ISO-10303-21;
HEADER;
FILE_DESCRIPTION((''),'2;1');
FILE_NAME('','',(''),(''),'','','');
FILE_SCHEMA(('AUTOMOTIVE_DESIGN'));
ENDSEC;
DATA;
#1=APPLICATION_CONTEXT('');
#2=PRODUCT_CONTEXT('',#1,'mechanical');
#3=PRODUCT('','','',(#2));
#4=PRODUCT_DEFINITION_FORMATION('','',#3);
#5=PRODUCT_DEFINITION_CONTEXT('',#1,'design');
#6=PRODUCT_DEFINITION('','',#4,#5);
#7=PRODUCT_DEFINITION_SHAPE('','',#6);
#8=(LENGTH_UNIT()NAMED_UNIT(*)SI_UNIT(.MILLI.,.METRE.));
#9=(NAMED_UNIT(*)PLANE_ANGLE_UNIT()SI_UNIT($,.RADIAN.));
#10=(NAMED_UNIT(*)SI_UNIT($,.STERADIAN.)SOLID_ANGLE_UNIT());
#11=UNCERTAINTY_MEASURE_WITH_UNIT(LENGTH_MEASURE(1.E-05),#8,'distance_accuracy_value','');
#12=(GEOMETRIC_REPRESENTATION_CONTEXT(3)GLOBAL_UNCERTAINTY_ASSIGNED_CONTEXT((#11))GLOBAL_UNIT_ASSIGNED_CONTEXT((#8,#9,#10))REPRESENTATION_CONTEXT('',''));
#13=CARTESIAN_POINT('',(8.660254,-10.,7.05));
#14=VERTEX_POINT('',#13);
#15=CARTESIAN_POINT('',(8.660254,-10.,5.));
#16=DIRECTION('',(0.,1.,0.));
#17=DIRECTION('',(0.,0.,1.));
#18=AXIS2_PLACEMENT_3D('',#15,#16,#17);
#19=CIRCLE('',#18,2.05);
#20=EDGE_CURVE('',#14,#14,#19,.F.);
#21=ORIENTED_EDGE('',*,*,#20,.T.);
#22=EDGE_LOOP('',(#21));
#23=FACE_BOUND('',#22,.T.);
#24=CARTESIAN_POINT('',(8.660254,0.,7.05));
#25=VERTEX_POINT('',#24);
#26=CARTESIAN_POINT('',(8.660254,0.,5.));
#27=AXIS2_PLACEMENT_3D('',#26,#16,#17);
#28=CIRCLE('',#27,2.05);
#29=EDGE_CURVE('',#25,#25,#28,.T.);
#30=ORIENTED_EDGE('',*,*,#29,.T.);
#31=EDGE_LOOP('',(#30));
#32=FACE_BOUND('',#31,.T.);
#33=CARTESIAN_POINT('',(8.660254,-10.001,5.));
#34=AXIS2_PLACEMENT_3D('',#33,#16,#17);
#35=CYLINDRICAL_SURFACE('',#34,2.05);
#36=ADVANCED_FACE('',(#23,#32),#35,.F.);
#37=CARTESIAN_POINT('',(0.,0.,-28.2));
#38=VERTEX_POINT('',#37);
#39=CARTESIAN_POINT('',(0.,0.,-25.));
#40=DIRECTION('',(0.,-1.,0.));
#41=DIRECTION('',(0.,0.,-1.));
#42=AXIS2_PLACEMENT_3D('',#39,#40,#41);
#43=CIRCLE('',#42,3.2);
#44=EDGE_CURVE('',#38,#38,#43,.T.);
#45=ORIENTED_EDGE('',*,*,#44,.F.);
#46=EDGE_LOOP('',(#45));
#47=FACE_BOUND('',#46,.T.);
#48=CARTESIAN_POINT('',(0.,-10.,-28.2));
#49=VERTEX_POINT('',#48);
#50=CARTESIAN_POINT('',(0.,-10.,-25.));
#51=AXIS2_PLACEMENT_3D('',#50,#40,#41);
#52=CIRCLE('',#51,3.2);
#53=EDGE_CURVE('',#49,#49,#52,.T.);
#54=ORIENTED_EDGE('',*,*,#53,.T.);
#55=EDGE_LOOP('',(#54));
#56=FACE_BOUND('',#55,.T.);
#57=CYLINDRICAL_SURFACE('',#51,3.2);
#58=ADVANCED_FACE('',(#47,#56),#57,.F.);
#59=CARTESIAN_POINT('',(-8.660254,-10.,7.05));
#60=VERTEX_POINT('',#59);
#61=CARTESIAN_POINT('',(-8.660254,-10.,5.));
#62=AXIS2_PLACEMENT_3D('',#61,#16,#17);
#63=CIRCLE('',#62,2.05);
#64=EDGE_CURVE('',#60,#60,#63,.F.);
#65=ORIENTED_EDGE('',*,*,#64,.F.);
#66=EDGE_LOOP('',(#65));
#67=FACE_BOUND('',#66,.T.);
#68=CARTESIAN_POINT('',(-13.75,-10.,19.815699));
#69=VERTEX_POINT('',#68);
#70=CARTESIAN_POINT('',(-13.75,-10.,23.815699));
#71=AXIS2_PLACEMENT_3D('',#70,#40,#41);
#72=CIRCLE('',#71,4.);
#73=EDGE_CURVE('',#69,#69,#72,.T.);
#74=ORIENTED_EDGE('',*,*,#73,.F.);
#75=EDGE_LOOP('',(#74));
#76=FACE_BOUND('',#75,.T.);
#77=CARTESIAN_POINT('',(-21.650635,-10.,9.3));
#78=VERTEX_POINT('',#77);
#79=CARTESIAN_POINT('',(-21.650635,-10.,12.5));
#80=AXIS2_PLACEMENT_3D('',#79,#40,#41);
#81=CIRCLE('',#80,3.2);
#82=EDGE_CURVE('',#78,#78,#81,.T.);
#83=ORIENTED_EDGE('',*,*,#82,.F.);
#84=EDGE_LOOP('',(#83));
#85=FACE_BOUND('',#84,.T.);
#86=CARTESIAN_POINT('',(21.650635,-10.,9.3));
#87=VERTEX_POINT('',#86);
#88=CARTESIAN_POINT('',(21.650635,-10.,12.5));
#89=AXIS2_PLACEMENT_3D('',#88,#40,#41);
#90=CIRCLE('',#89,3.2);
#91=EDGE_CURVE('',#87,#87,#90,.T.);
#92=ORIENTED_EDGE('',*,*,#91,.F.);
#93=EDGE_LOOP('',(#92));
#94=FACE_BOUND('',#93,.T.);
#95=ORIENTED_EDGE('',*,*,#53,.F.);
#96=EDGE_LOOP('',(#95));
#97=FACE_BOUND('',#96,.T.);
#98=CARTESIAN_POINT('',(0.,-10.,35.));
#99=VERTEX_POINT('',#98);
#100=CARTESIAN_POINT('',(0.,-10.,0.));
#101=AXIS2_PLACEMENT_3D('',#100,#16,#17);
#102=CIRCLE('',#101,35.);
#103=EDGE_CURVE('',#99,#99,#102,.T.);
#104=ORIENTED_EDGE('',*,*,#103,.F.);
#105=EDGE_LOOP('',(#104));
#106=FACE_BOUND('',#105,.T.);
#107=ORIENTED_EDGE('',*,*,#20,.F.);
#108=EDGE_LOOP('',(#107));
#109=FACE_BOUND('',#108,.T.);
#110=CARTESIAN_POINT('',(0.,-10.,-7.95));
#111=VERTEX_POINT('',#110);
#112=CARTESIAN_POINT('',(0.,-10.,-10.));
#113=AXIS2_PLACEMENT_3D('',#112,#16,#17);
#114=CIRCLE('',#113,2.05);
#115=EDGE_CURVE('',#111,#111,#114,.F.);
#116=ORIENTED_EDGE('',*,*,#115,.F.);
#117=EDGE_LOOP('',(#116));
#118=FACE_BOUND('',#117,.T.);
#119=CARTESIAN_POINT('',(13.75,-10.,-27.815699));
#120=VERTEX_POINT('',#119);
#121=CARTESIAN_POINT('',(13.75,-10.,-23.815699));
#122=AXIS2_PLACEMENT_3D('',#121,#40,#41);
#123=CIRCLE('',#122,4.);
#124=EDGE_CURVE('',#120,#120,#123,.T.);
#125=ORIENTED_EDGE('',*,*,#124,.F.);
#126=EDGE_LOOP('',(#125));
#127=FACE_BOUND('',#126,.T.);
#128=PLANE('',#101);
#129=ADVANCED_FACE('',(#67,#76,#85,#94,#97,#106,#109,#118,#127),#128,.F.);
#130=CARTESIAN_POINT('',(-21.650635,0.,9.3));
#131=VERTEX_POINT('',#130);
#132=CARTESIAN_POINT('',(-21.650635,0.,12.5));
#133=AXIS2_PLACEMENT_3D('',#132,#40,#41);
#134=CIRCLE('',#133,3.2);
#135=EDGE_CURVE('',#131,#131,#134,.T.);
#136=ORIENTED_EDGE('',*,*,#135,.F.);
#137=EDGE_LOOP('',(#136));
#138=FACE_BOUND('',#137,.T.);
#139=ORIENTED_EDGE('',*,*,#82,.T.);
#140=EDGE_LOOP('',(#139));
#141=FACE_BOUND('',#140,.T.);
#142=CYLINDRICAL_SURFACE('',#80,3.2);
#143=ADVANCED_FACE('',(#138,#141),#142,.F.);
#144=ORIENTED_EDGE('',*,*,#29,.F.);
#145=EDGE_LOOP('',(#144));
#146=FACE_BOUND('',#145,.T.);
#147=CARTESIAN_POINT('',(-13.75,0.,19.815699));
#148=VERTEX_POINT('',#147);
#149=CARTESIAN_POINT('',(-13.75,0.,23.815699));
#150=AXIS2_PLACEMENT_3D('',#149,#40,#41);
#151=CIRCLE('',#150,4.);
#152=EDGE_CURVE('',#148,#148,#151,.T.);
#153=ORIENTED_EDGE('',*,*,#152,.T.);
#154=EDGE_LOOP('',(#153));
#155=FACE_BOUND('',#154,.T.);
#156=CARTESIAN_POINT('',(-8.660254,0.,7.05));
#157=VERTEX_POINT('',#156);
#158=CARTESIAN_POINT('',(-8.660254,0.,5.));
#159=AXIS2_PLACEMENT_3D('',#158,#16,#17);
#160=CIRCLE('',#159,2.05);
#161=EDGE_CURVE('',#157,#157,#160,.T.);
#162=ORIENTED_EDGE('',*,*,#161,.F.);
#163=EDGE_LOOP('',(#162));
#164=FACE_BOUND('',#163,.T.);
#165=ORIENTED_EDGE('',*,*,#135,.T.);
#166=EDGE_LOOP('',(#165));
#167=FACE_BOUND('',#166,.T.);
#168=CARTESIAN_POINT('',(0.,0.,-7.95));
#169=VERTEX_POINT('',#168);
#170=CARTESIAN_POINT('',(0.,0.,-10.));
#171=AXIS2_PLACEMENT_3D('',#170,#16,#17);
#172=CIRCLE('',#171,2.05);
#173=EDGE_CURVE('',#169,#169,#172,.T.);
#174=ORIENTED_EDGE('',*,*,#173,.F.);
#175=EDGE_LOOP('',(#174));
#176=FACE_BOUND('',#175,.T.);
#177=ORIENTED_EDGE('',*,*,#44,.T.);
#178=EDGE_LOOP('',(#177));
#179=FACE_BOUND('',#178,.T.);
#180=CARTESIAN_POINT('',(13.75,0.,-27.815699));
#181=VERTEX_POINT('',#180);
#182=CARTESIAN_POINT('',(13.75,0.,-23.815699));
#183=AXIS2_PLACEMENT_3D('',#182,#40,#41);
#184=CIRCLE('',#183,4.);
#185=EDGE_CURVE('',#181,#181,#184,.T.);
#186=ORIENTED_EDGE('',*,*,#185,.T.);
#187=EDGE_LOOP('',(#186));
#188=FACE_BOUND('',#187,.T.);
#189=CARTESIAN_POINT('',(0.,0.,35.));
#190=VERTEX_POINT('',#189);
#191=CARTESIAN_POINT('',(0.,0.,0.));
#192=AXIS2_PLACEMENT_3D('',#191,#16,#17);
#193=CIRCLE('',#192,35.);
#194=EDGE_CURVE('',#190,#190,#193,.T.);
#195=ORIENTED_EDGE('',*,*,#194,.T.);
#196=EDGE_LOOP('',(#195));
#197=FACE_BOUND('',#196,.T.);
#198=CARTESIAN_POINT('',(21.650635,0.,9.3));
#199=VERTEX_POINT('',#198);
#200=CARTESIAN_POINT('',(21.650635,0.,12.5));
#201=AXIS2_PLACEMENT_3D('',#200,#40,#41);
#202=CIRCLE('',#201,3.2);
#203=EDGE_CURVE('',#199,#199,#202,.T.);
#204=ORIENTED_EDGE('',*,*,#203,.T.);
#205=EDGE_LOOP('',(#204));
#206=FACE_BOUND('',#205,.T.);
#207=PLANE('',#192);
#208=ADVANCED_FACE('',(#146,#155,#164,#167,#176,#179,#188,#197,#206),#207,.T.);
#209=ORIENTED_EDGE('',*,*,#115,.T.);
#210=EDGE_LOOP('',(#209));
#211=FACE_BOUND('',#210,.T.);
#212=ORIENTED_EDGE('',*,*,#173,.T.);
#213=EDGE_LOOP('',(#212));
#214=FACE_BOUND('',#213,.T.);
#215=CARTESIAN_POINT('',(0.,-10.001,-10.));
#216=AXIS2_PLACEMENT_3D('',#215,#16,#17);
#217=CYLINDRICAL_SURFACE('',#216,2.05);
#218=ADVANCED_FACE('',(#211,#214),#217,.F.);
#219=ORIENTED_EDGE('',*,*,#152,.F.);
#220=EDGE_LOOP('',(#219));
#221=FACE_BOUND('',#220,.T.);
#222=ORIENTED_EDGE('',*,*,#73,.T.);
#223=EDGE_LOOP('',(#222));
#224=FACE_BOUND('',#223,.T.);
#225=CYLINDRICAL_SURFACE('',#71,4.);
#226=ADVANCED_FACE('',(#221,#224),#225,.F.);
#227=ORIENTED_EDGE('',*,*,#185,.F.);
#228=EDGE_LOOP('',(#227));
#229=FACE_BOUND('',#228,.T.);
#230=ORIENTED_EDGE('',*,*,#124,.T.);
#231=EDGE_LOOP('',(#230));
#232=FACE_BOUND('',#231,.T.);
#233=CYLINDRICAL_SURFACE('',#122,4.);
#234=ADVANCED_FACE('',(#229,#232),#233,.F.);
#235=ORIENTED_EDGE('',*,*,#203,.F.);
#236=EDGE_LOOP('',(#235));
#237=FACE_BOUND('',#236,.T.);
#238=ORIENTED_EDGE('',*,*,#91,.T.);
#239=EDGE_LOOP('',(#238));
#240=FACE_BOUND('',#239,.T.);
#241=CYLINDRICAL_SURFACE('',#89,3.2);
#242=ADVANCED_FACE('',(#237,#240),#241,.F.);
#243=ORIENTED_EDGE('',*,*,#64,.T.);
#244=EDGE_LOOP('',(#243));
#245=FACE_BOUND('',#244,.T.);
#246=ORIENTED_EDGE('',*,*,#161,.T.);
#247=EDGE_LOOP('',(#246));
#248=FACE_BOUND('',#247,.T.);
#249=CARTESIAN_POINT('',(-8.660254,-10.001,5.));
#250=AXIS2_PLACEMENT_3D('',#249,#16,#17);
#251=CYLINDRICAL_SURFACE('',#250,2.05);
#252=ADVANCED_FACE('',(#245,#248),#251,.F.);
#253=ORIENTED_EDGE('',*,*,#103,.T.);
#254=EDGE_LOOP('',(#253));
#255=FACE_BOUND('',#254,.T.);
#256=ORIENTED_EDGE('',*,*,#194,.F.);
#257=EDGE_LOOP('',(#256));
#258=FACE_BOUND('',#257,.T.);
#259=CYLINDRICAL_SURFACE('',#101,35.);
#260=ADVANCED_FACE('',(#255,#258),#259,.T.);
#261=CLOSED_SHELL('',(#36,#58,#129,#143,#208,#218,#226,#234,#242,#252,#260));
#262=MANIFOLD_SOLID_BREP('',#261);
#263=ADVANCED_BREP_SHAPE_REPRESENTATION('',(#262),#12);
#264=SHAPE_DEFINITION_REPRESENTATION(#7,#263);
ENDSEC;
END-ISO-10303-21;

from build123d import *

# Parameters (mm, degrees)
SKETCH1_R             = 35
BOSS_EXTRUDE1_DEPTH   = 10
CUT_EXTRUDE1_REACH    = 52.498
SKETCH2_R             = 2.05
F_8_0MM_DOWEL_HOLE1_D = 8
M6_CLEARANCE_HOLE1_D  = 6.4


with BuildPart() as part:
    # Sketch1 → Boss-Extrude1 (new body)
    with BuildSketch(Plane(origin=(0, 0, 0), x_dir=(1, 0, 0), z_dir=(0, 1, 0))):
        with Locations(Location((0, 0, 0), (0, 0, 270))):
            Circle(SKETCH1_R)
    extrude(amount=-BOSS_EXTRUDE1_DEPTH)

    # Sketch2 → Cut-Extrude1 (cut, up to next)
    with BuildSketch(Plane(origin=(0, 0, 0), x_dir=(1, 0, 0), z_dir=(0, 1, 0)), mode=Mode.PRIVATE) as cut_extrude1_sk1:
        with Locations(Location((8.660254038, -5, 0), (0, 0, 270))):
            Circle(SKETCH2_R)
    cut_extrude1_tool1 = extrude(cut_extrude1_sk1.sketch, amount=-CUT_EXTRUDE1_REACH, mode=Mode.PRIVATE) & part.part
    # Sketch2 → Cut-Extrude1 (cut, up to next)
    with BuildSketch(Plane(origin=(0, 0, 0), x_dir=(1, 0, 0), z_dir=(0, 1, 0)), mode=Mode.PRIVATE) as cut_extrude1_sk2:
        with Locations(Location((0, 10, 0), (0, 0, 270))):
            Circle(SKETCH2_R)
    cut_extrude1_tool2 = extrude(cut_extrude1_sk2.sketch, amount=-CUT_EXTRUDE1_REACH, mode=Mode.PRIVATE) & part.part
    # Sketch2 → Cut-Extrude1 (cut, up to next)
    with BuildSketch(Plane(origin=(0, 0, 0), x_dir=(1, 0, 0), z_dir=(0, 1, 0)), mode=Mode.PRIVATE) as cut_extrude1_sk3:
        with Locations(Location((-8.660254038, -5, 0), (0, 0, 270))):
            Circle(SKETCH2_R)
    cut_extrude1_tool3 = extrude(cut_extrude1_sk3.sketch, amount=-CUT_EXTRUDE1_REACH, mode=Mode.PRIVATE) & part.part
    add(cut_extrude1_tool1.solids().sort_by_distance((8.660254, 0, 5))[0], mode=Mode.SUBTRACT)
    add(cut_extrude1_tool2.solids().sort_by_distance((0, 0, -10))[0], mode=Mode.SUBTRACT)
    add(cut_extrude1_tool3.solids().sort_by_distance((-8.660254, 0, 5))[0], mode=Mode.SUBTRACT)

    # Ø8.0mm Dowel Hole1 (through all)
    with Locations(Plane(origin=(0, -10, 0), x_dir=(-1, 0, 0), z_dir=(0, -1, 0))):
        with Locations((-13.75, 23.815698604), (13.75, -23.815698604)):
            Hole(F_8_0MM_DOWEL_HOLE1_D / 2)

    # M6 Clearance Hole1 (through all)
    with Locations(Plane(origin=(0, -10, 0), x_dir=(-1, 0, 0), z_dir=(0, -1, 0))):
        with Locations((-21.650635095, -12.5), (21.650635095, -12.5), (0, 25)):
            Hole(M6_CLEARANCE_HOLE1_D / 2)


solid = part.part
